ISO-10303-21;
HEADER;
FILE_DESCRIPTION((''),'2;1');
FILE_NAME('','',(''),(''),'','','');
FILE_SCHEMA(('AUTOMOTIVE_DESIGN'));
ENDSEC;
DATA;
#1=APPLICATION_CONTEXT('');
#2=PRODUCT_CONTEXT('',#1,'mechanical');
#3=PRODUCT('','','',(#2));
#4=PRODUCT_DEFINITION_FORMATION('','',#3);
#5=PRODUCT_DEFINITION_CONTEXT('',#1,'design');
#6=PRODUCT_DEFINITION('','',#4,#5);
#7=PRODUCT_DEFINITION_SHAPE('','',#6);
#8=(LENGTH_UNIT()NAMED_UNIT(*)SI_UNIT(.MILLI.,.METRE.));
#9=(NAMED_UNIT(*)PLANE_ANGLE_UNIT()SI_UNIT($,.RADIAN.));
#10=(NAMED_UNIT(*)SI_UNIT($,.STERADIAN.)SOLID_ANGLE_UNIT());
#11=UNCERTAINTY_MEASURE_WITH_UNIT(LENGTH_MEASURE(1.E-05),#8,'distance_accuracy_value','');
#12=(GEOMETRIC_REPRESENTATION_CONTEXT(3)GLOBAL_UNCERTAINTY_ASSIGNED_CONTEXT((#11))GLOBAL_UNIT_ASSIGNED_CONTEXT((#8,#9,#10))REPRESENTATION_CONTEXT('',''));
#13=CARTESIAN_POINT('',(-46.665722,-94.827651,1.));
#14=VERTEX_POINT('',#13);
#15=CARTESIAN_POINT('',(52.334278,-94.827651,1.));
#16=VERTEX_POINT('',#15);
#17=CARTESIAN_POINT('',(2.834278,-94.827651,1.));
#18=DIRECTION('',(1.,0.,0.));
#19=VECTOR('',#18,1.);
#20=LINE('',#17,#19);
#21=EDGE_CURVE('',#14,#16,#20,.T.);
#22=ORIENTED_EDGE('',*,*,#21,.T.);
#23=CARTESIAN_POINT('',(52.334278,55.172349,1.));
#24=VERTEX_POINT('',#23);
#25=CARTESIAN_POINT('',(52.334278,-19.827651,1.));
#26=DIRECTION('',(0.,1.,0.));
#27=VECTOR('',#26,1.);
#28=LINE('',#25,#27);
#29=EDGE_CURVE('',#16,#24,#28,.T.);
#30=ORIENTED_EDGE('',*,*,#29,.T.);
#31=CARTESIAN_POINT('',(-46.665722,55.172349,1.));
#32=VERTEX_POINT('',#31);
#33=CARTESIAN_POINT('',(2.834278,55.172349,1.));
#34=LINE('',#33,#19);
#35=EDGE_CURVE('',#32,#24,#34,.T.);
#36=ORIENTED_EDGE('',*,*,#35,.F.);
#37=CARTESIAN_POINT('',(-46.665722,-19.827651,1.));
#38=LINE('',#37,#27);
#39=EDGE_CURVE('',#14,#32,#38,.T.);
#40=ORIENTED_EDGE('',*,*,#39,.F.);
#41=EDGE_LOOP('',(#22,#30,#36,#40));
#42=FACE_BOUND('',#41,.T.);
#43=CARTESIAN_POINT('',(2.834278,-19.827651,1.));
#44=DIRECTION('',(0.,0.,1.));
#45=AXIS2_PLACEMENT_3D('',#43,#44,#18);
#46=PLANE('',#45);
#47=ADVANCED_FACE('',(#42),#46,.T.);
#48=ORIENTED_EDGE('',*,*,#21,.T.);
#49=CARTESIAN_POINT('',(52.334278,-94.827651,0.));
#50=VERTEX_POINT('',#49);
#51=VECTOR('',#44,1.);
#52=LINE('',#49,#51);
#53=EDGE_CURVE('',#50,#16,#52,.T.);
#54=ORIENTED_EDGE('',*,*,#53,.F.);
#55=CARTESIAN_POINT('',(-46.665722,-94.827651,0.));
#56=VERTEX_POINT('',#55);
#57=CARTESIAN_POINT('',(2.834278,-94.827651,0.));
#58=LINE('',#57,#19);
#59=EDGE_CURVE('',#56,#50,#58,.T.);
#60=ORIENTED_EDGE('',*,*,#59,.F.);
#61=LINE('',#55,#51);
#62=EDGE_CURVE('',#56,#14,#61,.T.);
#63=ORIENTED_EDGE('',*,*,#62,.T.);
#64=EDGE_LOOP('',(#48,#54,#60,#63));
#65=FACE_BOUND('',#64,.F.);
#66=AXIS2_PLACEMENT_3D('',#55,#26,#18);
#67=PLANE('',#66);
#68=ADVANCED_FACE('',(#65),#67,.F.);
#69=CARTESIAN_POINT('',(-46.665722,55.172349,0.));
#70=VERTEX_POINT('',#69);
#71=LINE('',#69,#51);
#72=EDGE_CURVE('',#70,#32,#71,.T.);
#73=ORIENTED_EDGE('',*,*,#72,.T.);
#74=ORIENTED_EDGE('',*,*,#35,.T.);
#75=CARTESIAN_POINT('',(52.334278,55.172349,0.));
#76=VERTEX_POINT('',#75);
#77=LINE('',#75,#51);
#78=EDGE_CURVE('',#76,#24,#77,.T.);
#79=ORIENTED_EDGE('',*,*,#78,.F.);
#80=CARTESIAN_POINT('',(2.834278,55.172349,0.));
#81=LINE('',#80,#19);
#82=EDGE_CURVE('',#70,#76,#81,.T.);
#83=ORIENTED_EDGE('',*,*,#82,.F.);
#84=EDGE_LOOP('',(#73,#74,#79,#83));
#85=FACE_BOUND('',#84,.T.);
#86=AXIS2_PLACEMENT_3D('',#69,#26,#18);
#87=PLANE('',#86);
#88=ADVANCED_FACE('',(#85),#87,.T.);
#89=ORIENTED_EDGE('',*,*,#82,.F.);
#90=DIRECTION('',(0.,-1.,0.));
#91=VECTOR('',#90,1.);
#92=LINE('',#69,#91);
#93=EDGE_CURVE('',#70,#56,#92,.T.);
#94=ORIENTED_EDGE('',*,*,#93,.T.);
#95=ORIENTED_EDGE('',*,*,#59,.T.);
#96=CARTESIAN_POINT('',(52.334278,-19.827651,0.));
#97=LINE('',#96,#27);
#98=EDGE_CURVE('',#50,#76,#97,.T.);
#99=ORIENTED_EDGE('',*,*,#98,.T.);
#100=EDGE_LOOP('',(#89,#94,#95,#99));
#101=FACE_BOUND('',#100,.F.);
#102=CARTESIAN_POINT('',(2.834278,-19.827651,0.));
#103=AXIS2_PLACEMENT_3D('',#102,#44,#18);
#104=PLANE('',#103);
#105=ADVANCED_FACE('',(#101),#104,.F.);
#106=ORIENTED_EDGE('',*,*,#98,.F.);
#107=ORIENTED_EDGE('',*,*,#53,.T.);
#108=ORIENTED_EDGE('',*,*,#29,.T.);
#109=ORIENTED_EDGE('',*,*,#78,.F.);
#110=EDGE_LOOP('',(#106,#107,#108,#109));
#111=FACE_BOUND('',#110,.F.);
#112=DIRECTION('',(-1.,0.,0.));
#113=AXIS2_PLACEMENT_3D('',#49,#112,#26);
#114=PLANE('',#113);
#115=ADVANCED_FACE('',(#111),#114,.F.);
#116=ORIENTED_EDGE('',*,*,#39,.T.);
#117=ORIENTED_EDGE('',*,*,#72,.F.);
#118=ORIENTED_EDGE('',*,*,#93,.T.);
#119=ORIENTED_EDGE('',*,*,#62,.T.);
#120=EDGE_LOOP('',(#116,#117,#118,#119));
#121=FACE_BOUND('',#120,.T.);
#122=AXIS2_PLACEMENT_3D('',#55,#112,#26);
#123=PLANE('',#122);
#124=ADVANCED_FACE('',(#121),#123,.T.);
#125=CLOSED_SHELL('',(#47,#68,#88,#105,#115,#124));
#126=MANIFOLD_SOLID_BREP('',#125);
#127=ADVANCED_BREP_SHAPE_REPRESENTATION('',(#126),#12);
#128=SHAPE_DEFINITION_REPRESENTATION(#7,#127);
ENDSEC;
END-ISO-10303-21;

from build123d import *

# Parameters (mm, degrees)
F0_W     = 99
F0_H     = 150
F1_DEPTH = 1
F3_DEPTH = 25


with BuildPart() as f1:
    # F0 (on Top) → F1 (new body)
    with BuildSketch(Plane.XY):
        with Locations((2.834278, -19.827651)):
            Rectangle(F0_W, F0_H)
    extrude(amount=F1_DEPTH)

    # F2 (on Top) → F3 (cut)
    with BuildSketch(Plane.XY):
        Polygon((-38.009576, 33.133902), (-46.665722, 38.539708), (-69.092967, 24.011603), (-45.173336, 0), (-38.009576, 4.753417), (-46.665722, 7.794184), (-38.009576, 13.537853), (-46.665722, 18.267933), (-38.009576, 24.011603), (-46.665722, 27.390232), align=None)
    extrude(amount=-F3_DEPTH, mode=Mode.SUBTRACT)


solid = f1.part
